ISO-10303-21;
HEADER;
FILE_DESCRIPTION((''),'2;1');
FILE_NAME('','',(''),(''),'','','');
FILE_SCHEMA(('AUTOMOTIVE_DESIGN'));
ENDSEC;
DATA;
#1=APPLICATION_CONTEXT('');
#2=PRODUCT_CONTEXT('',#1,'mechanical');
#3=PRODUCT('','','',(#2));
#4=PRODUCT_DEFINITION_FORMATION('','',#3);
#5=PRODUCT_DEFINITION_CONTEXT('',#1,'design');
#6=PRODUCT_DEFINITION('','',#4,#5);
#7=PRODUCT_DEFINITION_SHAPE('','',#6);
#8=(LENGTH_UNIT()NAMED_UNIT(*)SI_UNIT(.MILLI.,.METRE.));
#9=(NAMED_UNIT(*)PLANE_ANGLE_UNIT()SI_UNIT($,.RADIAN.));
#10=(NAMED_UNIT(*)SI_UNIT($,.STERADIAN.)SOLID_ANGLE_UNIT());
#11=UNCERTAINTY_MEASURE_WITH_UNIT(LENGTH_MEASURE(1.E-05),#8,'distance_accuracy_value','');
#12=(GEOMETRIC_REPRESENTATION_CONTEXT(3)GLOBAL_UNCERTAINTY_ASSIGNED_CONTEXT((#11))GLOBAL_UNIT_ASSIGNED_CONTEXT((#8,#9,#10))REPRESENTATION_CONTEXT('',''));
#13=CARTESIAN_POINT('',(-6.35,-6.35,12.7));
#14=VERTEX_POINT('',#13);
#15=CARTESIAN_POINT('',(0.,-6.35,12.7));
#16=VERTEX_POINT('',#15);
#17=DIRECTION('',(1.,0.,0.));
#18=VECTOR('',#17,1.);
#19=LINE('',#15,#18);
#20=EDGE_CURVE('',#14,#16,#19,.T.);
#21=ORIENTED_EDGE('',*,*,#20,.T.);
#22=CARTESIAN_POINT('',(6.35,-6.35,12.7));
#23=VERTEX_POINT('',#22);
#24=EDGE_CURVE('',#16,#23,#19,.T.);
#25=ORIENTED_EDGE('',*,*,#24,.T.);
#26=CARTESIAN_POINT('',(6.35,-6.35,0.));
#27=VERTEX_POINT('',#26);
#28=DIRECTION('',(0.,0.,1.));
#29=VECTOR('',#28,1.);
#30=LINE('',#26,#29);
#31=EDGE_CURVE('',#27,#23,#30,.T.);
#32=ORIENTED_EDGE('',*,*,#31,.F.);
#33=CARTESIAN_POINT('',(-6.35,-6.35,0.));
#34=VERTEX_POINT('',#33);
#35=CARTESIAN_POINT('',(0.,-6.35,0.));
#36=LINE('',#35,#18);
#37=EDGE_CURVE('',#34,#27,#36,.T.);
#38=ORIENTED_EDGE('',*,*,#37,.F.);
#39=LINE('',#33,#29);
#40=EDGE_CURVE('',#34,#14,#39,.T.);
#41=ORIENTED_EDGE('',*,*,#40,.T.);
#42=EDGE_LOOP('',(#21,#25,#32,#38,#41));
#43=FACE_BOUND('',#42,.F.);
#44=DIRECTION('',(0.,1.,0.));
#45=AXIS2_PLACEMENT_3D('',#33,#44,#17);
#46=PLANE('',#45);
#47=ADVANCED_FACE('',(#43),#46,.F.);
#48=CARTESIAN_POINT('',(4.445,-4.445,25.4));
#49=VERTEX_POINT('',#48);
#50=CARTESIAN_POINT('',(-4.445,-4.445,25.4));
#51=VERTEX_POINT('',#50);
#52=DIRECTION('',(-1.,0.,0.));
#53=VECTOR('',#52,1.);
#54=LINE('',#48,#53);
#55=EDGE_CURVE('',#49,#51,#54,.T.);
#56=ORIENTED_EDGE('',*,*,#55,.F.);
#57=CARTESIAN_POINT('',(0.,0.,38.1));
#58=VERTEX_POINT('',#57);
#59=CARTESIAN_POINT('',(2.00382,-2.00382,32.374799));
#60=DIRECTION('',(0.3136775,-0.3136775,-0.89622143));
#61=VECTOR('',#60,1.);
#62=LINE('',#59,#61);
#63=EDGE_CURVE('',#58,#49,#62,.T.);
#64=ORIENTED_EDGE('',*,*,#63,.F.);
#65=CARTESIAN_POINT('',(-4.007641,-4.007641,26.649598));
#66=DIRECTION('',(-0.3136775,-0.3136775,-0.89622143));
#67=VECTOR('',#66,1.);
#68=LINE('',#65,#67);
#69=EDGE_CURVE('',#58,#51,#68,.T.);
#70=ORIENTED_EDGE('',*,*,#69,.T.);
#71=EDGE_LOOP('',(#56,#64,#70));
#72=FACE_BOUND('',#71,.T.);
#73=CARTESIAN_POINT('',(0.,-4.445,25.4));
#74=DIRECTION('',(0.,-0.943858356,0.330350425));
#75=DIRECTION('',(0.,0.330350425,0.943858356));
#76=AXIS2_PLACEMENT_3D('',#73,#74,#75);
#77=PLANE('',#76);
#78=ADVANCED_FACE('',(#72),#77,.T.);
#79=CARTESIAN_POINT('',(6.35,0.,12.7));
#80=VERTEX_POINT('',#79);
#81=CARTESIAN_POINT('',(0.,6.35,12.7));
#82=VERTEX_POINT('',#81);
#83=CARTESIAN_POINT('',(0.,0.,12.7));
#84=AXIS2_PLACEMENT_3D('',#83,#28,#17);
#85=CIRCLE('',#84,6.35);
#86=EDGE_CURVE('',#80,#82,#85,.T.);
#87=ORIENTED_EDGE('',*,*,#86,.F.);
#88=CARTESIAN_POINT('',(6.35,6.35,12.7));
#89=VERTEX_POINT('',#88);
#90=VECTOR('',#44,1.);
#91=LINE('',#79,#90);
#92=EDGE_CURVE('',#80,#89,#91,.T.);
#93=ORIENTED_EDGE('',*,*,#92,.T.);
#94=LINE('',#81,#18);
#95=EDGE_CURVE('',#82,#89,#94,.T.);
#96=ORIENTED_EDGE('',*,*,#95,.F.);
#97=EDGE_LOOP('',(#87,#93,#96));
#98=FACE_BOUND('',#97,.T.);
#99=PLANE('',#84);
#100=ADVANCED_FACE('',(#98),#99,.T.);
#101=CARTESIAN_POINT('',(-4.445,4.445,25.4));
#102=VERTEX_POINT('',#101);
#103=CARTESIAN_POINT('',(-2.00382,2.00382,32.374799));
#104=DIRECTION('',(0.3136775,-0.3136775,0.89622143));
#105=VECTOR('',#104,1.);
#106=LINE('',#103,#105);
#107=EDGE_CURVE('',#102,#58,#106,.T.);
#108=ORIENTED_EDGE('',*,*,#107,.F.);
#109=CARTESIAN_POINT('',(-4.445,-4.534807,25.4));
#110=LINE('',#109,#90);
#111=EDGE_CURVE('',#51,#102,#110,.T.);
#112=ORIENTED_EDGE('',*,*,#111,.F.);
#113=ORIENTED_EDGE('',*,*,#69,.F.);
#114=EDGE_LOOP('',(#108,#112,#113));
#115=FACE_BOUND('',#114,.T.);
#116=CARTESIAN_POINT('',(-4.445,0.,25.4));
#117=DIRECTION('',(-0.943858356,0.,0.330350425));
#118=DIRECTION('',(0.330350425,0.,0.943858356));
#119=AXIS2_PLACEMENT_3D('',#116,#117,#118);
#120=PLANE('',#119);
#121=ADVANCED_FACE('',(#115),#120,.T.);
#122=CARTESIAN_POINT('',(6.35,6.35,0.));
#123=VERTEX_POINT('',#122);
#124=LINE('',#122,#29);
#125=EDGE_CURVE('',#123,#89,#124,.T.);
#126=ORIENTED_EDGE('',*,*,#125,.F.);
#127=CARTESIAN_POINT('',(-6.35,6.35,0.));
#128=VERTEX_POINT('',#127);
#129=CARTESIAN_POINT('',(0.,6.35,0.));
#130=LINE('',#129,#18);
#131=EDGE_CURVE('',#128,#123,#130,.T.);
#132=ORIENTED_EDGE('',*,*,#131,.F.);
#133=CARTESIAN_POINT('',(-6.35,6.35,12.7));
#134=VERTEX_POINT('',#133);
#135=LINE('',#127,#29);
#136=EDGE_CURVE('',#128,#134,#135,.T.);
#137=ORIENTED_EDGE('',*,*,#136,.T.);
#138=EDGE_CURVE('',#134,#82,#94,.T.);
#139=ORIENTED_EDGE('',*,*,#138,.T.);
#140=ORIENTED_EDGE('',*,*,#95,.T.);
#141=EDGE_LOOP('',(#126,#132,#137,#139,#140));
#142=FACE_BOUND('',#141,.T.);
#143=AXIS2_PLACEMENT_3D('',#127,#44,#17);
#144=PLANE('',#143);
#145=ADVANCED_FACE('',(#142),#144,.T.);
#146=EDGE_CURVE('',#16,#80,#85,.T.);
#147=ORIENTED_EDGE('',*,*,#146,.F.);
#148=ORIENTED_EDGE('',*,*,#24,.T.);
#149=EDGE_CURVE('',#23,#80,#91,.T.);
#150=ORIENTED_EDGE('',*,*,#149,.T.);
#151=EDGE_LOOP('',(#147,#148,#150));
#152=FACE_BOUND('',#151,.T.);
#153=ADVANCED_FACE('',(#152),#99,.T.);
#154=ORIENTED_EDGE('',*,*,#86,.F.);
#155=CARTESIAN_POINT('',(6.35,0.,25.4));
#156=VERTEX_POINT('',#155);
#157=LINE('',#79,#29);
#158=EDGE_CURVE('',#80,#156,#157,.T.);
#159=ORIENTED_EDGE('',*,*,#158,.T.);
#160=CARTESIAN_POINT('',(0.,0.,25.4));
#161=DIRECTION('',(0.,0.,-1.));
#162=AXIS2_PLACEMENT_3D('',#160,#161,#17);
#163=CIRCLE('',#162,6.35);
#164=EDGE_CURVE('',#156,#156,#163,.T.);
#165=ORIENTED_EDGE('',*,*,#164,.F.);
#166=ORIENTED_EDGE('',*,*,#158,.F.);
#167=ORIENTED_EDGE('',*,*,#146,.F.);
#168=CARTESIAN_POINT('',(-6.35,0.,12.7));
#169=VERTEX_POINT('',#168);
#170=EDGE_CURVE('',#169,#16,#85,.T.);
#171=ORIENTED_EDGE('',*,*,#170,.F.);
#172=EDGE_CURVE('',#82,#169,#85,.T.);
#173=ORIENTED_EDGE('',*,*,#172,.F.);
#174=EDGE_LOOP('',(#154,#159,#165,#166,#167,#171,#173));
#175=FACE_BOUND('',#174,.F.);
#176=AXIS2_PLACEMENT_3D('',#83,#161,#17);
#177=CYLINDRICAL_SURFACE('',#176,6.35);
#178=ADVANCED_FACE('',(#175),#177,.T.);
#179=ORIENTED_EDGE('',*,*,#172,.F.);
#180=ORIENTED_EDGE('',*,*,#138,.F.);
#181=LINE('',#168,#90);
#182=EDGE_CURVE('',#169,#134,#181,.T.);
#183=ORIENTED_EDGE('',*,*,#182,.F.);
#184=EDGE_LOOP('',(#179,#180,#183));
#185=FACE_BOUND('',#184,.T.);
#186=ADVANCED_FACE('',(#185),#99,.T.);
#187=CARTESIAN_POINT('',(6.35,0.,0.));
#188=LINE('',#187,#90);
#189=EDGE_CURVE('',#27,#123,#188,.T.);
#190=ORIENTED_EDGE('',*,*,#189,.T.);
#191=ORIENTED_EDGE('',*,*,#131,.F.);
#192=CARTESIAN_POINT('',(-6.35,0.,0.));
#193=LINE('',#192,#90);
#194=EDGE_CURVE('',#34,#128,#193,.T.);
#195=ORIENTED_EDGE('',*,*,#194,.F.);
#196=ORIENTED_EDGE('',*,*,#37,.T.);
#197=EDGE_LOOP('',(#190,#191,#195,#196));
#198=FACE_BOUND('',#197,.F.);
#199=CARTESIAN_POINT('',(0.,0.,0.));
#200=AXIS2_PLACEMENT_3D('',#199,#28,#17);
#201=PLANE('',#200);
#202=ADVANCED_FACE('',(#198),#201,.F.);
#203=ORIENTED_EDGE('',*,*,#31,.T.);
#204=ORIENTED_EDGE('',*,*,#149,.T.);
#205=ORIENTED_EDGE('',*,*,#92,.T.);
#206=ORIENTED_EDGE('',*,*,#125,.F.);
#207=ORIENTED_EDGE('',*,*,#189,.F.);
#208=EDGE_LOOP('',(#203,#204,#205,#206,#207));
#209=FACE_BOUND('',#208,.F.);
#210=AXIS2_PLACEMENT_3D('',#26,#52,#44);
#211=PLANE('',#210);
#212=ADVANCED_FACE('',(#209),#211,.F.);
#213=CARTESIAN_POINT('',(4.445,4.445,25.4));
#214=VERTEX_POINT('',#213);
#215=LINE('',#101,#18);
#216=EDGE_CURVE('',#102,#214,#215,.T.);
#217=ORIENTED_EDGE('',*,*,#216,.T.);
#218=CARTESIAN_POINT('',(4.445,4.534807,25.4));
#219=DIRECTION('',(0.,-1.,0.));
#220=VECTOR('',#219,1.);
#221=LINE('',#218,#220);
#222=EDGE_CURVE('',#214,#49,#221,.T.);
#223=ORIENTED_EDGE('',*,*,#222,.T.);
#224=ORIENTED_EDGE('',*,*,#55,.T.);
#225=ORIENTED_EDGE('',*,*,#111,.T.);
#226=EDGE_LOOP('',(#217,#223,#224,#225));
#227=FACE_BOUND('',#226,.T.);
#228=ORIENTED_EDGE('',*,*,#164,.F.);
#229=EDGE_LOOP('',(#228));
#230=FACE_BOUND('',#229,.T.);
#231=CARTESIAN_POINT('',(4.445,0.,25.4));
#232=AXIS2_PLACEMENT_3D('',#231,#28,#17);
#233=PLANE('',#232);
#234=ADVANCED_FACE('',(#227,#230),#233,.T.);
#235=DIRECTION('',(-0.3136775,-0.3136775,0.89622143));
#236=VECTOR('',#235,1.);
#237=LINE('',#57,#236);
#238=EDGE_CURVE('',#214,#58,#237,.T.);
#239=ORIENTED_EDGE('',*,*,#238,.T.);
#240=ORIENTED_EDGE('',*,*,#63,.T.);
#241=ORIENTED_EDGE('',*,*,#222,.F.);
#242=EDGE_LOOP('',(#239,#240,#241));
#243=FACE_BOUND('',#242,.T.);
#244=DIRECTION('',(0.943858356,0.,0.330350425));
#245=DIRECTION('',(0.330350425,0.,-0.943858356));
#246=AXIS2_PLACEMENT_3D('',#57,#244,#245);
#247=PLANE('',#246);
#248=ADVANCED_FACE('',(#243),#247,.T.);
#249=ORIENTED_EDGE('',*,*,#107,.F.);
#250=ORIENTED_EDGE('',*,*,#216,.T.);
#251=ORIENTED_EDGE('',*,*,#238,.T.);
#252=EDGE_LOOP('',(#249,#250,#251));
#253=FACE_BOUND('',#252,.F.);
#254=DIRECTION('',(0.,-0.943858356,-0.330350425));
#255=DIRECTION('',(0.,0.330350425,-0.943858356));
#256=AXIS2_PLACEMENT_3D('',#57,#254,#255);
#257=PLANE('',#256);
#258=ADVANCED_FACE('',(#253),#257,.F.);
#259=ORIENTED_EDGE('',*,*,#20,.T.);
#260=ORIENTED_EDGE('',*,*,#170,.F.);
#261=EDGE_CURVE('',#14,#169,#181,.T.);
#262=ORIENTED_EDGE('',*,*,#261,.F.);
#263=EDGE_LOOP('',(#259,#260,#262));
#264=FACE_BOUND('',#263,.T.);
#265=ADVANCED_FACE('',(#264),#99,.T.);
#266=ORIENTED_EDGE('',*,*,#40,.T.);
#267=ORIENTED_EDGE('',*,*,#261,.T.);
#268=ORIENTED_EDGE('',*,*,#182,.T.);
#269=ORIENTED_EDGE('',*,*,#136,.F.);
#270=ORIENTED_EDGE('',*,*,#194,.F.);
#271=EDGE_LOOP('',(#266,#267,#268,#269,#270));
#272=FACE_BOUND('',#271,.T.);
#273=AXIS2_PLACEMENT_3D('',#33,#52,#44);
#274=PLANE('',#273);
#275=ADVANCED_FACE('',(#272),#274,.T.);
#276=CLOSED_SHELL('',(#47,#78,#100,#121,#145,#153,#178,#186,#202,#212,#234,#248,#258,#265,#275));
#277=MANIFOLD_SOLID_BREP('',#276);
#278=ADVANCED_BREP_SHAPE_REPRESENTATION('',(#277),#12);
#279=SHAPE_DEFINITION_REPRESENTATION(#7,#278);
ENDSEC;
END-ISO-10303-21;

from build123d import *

# Parameters (mm, degrees)
F0_W          = 12.7
F0_H          = 12.7
F1_DEPTH      = 12.7
F2_R          = 6.35
F3_DEPTH      = 12.7
F4_W          = 12.7
F4_H          = 12.7
F5_DEPTH      = 12.7
F7_DEPTH      = 6.351
F7_DEPTH_BACK = 6.351
F9_DEPTH      = 6.351
F9_DEPTH_BACK = 6.351


with BuildPart() as f1:
    # F0 (on Top) → F1 (new body)
    with BuildSketch(Plane.XY):
        Rectangle(F0_W, F0_H)
    extrude(amount=F1_DEPTH)

    # F2 (on face) → F3 (join)
    with BuildSketch(Plane.XY.offset(12.7)):
        Circle(F2_R)
    extrude(amount=F3_DEPTH)

    # F4 (on face) → F5 (join)
    with BuildSketch(Plane.XY.offset(25.4)):
        Rectangle(F4_W, F4_H)
    extrude(amount=F5_DEPTH)

    # F6 (on Front) → F7 (cut, two sides)
    with BuildSketch(Plane.XZ) as f7_sk:
        Polygon((-4.445, 25.4), (0, 38.1), (-6.35, 38.1), (-6.35, 25.4), align=None)
        Polygon((4.445, 25.4), (6.35, 25.4), (6.35, 38.1), (0, 38.1), align=None)
    extrude(amount=-F7_DEPTH, mode=Mode.SUBTRACT)
    extrude(f7_sk.sketch, amount=F7_DEPTH_BACK, mode=Mode.SUBTRACT)

    # F8 (on Right) → F9 (cut, two sides)
    with BuildSketch(Plane.YZ) as f9_sk:
        Polygon((1.4e-09, 38.1), (-6.35, 38.1), (-6.35, 25.4), (-4.4449999986, 25.4), align=None)
        Polygon((6.35, 38.1), (1.4e-09, 38.1), (4.4450000014, 25.4), (6.35, 25.4), align=None)
    extrude(amount=-F9_DEPTH, mode=Mode.SUBTRACT)
    extrude(f9_sk.sketch, amount=F9_DEPTH_BACK, mode=Mode.SUBTRACT)


solid = f1.part
